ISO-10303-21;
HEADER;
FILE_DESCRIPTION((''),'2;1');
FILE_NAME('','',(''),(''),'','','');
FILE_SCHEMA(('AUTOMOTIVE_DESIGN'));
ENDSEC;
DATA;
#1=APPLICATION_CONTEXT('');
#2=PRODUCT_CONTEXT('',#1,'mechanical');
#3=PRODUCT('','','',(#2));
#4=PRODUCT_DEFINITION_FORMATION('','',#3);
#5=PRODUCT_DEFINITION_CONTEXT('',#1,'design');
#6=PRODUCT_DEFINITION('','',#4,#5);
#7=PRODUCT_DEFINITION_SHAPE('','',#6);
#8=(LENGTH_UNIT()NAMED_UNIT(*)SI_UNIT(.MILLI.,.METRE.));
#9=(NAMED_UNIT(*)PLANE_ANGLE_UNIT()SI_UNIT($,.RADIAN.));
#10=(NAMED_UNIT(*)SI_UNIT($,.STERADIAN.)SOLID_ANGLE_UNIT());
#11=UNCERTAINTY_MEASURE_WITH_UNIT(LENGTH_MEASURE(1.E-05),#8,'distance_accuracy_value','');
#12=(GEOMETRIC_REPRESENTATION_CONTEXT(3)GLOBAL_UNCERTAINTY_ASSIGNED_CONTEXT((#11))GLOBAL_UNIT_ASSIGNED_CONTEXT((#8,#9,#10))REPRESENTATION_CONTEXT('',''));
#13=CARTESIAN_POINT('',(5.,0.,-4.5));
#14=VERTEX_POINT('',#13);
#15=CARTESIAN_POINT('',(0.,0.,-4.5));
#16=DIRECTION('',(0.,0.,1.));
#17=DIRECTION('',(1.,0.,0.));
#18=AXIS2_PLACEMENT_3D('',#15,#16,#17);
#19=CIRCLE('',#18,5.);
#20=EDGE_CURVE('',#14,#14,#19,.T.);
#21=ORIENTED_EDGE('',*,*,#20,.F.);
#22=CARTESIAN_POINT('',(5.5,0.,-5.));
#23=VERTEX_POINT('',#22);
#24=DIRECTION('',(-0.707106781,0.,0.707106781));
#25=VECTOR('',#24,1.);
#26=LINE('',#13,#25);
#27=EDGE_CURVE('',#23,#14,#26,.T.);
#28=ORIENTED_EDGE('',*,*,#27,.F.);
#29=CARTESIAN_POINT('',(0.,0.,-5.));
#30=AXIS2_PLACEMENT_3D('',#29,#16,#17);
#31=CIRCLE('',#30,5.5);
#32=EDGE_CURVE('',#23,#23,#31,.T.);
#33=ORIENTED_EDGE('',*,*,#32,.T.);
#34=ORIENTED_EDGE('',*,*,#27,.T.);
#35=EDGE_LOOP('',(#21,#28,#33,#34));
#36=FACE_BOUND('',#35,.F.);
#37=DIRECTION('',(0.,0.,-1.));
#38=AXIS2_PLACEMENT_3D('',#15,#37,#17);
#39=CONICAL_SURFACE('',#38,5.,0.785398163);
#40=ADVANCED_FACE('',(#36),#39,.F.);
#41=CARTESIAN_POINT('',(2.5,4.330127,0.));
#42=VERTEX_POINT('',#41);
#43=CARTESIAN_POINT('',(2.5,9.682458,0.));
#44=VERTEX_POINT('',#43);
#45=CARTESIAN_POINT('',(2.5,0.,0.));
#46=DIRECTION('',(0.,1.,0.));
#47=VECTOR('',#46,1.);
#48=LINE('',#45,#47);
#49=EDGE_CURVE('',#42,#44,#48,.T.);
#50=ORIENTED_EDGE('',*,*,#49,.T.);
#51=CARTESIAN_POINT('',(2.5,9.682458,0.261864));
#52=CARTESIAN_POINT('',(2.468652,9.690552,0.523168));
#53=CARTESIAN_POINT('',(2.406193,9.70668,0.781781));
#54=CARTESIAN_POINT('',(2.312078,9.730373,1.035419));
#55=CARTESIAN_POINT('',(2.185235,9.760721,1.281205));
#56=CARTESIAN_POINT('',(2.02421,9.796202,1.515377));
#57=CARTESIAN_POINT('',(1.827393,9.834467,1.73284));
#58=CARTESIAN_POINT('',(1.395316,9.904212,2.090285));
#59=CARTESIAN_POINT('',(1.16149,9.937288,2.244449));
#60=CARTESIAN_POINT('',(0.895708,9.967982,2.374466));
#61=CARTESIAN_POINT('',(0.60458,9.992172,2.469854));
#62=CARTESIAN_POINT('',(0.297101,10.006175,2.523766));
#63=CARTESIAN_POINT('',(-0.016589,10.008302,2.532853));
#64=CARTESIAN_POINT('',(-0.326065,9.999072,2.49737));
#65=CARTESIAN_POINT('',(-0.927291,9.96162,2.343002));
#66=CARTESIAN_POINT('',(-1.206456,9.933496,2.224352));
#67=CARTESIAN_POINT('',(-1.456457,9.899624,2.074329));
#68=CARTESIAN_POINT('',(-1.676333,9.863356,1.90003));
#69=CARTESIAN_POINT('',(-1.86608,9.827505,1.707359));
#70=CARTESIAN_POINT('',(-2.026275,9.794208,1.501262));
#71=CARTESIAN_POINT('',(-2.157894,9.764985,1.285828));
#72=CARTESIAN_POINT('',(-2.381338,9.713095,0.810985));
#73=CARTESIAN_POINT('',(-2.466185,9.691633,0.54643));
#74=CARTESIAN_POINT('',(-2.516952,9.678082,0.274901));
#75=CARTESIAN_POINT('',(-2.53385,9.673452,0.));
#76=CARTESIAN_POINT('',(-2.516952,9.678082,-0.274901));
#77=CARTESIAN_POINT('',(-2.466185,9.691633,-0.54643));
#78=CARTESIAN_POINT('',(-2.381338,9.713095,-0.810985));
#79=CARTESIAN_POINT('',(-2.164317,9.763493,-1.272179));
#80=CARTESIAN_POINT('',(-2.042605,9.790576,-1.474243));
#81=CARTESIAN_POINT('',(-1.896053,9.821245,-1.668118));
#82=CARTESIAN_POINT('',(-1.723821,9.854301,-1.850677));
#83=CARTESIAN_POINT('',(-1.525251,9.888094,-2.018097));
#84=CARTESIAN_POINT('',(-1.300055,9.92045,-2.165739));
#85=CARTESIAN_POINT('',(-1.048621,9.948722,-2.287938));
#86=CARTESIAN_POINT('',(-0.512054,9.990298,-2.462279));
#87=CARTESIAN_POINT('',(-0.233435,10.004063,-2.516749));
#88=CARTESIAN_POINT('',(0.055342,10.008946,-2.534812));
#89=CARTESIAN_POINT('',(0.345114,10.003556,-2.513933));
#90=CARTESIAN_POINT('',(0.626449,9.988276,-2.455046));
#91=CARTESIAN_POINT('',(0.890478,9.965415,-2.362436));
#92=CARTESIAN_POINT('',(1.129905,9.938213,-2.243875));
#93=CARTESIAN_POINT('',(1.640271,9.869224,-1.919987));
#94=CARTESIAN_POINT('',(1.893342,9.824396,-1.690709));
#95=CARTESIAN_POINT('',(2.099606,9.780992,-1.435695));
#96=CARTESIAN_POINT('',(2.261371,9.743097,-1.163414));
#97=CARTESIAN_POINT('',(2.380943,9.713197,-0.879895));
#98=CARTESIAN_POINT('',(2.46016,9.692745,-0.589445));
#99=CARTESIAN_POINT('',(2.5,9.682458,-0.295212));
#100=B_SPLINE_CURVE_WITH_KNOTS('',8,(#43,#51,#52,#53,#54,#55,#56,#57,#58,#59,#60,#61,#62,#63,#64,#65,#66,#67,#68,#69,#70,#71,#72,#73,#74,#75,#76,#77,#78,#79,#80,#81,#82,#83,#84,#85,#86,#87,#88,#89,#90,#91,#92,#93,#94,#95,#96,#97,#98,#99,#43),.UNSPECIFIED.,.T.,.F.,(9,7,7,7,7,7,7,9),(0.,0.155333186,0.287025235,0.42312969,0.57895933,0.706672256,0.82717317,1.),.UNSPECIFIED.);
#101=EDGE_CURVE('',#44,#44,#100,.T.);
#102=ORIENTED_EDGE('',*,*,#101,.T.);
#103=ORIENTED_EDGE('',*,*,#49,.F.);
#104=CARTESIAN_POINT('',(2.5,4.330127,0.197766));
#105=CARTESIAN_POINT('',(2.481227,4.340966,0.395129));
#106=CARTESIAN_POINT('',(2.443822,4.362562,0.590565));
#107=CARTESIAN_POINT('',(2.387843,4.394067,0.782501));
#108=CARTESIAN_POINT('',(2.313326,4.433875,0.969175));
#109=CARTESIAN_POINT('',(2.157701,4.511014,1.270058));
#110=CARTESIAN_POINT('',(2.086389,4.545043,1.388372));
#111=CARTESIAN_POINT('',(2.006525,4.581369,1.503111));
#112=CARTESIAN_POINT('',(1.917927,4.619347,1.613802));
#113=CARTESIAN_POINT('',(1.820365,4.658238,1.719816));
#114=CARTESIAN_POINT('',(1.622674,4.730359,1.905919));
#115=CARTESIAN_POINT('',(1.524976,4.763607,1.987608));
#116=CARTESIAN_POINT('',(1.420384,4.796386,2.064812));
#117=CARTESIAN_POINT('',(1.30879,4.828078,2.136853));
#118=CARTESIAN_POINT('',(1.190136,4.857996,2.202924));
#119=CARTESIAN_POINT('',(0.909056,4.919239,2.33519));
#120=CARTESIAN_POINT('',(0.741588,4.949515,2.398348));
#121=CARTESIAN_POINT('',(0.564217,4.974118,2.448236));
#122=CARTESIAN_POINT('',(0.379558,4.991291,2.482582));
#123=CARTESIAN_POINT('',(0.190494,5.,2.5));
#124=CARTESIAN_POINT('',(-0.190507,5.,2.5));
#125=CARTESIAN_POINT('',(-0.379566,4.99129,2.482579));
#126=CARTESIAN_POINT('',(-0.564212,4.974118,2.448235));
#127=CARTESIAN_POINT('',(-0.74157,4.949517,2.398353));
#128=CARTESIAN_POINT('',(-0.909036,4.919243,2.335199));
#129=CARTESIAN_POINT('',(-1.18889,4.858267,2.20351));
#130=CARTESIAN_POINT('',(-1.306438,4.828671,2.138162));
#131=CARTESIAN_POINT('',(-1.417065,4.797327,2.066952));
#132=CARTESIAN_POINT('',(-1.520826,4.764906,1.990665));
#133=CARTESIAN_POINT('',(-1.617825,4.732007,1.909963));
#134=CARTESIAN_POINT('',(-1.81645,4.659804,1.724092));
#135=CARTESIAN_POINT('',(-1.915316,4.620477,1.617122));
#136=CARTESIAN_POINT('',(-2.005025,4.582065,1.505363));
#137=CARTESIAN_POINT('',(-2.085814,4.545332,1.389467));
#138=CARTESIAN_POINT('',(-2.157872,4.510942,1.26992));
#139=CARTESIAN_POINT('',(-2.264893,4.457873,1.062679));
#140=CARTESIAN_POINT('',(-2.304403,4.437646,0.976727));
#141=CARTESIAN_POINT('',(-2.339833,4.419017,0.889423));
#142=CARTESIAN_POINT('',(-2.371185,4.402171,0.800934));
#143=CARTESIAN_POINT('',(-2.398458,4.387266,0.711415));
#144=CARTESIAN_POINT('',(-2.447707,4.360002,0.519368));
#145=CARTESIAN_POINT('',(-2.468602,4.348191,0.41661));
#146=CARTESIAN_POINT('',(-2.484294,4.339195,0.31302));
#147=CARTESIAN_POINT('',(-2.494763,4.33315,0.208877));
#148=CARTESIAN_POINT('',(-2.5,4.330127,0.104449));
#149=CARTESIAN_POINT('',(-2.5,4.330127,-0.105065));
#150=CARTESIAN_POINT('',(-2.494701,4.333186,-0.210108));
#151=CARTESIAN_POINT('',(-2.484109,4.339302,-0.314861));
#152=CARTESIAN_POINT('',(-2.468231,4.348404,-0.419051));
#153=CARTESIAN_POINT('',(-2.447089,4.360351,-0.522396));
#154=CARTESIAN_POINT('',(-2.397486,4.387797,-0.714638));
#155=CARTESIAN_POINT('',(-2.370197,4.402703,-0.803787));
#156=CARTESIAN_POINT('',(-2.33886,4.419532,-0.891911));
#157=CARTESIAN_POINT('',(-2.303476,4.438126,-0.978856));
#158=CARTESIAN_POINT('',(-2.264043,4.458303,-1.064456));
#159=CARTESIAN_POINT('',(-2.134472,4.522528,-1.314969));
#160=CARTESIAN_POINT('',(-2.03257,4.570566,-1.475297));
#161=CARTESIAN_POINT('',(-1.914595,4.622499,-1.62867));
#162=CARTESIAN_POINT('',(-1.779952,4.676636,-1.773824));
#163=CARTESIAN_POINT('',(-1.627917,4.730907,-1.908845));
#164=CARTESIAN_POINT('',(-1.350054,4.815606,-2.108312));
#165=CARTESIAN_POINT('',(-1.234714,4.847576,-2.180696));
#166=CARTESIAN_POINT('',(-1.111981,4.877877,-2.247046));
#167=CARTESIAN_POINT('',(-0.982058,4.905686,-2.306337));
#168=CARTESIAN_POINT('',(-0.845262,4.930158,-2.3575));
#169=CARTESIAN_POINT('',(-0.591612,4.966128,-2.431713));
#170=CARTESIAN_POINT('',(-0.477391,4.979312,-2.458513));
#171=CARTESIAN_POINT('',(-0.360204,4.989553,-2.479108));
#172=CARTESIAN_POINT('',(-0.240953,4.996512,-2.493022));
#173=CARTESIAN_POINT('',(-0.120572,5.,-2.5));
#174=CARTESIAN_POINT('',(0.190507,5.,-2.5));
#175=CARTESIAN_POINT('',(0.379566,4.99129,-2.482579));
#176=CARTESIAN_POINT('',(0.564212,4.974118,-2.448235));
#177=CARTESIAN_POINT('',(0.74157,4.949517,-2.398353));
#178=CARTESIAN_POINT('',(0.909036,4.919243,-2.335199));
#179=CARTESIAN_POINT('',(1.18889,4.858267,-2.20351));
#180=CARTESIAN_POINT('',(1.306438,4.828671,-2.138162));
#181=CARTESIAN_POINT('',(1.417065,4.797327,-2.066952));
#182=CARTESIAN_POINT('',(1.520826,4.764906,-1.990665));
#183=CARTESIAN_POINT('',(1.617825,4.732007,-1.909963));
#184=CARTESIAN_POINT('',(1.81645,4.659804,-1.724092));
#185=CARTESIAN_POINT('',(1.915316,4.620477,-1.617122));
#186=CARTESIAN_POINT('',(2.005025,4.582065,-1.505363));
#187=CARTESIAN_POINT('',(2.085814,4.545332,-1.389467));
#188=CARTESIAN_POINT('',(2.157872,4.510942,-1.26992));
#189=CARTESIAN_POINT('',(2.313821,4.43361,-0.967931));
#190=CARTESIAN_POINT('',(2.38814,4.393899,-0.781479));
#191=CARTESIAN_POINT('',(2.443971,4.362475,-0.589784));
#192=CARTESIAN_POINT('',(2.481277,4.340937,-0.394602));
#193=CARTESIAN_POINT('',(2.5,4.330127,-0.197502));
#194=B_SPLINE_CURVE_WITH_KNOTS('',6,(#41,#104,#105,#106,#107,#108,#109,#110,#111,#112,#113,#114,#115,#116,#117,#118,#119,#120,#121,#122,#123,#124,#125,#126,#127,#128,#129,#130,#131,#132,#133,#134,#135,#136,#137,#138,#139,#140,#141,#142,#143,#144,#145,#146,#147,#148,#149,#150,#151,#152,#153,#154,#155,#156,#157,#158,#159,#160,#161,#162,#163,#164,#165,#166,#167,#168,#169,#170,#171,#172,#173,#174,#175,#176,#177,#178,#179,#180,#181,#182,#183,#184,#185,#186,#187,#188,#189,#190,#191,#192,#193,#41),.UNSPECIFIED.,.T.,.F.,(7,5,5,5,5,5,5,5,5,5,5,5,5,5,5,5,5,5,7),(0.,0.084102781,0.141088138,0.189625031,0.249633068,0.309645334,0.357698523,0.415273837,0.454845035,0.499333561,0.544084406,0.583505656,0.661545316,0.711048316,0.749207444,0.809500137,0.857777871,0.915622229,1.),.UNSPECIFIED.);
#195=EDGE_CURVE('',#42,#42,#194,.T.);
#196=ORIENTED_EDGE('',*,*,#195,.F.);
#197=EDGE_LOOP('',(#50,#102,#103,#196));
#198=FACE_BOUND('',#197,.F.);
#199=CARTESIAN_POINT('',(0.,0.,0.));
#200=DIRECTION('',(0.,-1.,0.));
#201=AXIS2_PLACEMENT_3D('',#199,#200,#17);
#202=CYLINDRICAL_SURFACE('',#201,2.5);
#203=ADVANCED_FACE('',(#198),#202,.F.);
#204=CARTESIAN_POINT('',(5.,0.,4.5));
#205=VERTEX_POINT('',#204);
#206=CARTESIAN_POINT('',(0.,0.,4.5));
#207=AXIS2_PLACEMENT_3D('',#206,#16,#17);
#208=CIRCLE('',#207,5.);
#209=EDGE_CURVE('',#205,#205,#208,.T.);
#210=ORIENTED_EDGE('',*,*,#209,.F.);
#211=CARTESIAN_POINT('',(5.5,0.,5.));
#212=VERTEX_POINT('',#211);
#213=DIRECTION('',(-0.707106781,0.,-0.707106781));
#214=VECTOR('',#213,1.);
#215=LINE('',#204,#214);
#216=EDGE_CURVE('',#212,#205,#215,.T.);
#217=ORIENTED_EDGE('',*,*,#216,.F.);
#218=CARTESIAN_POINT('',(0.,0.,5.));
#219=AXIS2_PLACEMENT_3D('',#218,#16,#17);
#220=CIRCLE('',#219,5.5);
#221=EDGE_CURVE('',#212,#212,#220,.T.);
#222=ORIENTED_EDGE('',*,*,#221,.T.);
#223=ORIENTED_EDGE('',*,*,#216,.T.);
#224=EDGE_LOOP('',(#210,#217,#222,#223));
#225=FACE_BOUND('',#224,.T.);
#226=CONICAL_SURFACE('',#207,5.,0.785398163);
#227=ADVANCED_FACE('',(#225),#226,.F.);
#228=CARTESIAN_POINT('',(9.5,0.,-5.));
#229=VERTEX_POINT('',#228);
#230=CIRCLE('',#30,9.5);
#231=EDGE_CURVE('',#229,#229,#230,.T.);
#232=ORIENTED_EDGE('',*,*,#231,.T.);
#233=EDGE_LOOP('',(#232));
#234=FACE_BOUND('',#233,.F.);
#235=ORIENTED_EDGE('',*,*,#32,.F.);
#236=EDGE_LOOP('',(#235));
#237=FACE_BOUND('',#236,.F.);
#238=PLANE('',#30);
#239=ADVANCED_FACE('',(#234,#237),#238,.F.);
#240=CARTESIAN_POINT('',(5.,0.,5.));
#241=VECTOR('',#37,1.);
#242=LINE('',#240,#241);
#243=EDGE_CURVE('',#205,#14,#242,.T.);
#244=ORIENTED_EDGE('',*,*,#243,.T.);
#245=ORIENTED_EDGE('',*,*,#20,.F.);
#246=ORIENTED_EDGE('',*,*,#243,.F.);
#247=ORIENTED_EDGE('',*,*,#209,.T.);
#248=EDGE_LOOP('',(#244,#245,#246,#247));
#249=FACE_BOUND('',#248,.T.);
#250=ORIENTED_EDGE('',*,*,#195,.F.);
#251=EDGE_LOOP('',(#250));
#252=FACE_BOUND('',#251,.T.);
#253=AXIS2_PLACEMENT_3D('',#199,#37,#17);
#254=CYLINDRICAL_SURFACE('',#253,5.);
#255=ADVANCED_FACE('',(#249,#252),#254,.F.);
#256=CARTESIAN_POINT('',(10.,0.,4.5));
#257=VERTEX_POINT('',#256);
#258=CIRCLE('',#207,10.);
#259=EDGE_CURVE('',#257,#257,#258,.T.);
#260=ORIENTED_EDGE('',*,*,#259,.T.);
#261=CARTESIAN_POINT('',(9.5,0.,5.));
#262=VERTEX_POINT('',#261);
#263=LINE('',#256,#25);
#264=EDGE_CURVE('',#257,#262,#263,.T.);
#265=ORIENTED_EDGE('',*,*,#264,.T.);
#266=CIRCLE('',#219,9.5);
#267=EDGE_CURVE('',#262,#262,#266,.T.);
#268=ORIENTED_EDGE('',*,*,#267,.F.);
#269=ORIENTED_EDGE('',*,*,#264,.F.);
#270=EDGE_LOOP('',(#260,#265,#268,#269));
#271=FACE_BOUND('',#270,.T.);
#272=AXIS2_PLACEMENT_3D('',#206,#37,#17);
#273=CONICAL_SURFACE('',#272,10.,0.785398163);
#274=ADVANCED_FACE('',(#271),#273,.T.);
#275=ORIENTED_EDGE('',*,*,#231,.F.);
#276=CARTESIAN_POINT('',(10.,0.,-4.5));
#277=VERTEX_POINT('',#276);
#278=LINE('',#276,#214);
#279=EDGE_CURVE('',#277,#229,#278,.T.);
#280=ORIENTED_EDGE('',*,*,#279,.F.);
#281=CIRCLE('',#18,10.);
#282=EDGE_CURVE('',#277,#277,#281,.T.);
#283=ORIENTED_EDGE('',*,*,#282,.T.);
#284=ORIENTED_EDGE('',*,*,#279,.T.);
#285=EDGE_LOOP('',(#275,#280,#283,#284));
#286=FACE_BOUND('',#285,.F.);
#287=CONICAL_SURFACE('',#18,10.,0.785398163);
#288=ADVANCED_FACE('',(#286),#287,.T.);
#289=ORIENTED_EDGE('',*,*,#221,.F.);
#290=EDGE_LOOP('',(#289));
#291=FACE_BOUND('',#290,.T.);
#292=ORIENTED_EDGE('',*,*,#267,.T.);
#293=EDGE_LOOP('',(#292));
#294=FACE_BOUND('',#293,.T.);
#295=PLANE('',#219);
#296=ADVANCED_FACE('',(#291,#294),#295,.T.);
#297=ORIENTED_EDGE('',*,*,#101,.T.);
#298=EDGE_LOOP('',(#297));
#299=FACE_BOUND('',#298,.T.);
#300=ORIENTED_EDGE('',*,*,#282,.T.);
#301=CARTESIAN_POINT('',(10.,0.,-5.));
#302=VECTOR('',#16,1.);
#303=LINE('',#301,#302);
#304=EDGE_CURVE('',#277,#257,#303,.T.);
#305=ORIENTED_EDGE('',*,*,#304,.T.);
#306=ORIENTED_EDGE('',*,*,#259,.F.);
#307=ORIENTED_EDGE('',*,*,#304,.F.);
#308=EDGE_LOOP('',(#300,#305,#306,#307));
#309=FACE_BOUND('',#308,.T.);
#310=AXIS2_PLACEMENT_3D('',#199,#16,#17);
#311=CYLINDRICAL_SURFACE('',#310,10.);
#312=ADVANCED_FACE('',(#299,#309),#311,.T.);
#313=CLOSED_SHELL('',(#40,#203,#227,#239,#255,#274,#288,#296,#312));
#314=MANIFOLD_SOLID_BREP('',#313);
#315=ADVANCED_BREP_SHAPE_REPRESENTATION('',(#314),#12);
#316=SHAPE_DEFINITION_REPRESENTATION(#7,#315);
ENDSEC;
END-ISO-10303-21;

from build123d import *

# Parameters (mm, degrees)
SKETCH_R     = 10
SKETCH_R_2   = 5
PAD_DEPTH    = 5
SKETCH001_R  = 2.5
POCKET_DEPTH = 10.001
CHAMFER_SIZE = 0.5


with BuildPart() as part:
    # Sketch → Pad (new body, symmetric)
    with BuildSketch(Plane.XY):
        Circle(SKETCH_R)
        Circle(SKETCH_R_2, mode=Mode.SUBTRACT)
    extrude(amount=PAD_DEPTH, both=True)

    # Sketch001 → Pocket (cut, through all)
    with BuildSketch(Plane.XZ):
        Circle(SKETCH001_R)
    extrude(amount=-POCKET_DEPTH, mode=Mode.SUBTRACT)

    # Chamfer
    chamfer_edges = [part.edges().sort_by_distance(p)[0] for p in [
        (-5, 0, -5),
        (-10, 0, -5),
        (-5, 0, 5),
        (-10, 0, 5),
    ]]
    chamfer(chamfer_edges, length=CHAMFER_SIZE)


solid = part.part
